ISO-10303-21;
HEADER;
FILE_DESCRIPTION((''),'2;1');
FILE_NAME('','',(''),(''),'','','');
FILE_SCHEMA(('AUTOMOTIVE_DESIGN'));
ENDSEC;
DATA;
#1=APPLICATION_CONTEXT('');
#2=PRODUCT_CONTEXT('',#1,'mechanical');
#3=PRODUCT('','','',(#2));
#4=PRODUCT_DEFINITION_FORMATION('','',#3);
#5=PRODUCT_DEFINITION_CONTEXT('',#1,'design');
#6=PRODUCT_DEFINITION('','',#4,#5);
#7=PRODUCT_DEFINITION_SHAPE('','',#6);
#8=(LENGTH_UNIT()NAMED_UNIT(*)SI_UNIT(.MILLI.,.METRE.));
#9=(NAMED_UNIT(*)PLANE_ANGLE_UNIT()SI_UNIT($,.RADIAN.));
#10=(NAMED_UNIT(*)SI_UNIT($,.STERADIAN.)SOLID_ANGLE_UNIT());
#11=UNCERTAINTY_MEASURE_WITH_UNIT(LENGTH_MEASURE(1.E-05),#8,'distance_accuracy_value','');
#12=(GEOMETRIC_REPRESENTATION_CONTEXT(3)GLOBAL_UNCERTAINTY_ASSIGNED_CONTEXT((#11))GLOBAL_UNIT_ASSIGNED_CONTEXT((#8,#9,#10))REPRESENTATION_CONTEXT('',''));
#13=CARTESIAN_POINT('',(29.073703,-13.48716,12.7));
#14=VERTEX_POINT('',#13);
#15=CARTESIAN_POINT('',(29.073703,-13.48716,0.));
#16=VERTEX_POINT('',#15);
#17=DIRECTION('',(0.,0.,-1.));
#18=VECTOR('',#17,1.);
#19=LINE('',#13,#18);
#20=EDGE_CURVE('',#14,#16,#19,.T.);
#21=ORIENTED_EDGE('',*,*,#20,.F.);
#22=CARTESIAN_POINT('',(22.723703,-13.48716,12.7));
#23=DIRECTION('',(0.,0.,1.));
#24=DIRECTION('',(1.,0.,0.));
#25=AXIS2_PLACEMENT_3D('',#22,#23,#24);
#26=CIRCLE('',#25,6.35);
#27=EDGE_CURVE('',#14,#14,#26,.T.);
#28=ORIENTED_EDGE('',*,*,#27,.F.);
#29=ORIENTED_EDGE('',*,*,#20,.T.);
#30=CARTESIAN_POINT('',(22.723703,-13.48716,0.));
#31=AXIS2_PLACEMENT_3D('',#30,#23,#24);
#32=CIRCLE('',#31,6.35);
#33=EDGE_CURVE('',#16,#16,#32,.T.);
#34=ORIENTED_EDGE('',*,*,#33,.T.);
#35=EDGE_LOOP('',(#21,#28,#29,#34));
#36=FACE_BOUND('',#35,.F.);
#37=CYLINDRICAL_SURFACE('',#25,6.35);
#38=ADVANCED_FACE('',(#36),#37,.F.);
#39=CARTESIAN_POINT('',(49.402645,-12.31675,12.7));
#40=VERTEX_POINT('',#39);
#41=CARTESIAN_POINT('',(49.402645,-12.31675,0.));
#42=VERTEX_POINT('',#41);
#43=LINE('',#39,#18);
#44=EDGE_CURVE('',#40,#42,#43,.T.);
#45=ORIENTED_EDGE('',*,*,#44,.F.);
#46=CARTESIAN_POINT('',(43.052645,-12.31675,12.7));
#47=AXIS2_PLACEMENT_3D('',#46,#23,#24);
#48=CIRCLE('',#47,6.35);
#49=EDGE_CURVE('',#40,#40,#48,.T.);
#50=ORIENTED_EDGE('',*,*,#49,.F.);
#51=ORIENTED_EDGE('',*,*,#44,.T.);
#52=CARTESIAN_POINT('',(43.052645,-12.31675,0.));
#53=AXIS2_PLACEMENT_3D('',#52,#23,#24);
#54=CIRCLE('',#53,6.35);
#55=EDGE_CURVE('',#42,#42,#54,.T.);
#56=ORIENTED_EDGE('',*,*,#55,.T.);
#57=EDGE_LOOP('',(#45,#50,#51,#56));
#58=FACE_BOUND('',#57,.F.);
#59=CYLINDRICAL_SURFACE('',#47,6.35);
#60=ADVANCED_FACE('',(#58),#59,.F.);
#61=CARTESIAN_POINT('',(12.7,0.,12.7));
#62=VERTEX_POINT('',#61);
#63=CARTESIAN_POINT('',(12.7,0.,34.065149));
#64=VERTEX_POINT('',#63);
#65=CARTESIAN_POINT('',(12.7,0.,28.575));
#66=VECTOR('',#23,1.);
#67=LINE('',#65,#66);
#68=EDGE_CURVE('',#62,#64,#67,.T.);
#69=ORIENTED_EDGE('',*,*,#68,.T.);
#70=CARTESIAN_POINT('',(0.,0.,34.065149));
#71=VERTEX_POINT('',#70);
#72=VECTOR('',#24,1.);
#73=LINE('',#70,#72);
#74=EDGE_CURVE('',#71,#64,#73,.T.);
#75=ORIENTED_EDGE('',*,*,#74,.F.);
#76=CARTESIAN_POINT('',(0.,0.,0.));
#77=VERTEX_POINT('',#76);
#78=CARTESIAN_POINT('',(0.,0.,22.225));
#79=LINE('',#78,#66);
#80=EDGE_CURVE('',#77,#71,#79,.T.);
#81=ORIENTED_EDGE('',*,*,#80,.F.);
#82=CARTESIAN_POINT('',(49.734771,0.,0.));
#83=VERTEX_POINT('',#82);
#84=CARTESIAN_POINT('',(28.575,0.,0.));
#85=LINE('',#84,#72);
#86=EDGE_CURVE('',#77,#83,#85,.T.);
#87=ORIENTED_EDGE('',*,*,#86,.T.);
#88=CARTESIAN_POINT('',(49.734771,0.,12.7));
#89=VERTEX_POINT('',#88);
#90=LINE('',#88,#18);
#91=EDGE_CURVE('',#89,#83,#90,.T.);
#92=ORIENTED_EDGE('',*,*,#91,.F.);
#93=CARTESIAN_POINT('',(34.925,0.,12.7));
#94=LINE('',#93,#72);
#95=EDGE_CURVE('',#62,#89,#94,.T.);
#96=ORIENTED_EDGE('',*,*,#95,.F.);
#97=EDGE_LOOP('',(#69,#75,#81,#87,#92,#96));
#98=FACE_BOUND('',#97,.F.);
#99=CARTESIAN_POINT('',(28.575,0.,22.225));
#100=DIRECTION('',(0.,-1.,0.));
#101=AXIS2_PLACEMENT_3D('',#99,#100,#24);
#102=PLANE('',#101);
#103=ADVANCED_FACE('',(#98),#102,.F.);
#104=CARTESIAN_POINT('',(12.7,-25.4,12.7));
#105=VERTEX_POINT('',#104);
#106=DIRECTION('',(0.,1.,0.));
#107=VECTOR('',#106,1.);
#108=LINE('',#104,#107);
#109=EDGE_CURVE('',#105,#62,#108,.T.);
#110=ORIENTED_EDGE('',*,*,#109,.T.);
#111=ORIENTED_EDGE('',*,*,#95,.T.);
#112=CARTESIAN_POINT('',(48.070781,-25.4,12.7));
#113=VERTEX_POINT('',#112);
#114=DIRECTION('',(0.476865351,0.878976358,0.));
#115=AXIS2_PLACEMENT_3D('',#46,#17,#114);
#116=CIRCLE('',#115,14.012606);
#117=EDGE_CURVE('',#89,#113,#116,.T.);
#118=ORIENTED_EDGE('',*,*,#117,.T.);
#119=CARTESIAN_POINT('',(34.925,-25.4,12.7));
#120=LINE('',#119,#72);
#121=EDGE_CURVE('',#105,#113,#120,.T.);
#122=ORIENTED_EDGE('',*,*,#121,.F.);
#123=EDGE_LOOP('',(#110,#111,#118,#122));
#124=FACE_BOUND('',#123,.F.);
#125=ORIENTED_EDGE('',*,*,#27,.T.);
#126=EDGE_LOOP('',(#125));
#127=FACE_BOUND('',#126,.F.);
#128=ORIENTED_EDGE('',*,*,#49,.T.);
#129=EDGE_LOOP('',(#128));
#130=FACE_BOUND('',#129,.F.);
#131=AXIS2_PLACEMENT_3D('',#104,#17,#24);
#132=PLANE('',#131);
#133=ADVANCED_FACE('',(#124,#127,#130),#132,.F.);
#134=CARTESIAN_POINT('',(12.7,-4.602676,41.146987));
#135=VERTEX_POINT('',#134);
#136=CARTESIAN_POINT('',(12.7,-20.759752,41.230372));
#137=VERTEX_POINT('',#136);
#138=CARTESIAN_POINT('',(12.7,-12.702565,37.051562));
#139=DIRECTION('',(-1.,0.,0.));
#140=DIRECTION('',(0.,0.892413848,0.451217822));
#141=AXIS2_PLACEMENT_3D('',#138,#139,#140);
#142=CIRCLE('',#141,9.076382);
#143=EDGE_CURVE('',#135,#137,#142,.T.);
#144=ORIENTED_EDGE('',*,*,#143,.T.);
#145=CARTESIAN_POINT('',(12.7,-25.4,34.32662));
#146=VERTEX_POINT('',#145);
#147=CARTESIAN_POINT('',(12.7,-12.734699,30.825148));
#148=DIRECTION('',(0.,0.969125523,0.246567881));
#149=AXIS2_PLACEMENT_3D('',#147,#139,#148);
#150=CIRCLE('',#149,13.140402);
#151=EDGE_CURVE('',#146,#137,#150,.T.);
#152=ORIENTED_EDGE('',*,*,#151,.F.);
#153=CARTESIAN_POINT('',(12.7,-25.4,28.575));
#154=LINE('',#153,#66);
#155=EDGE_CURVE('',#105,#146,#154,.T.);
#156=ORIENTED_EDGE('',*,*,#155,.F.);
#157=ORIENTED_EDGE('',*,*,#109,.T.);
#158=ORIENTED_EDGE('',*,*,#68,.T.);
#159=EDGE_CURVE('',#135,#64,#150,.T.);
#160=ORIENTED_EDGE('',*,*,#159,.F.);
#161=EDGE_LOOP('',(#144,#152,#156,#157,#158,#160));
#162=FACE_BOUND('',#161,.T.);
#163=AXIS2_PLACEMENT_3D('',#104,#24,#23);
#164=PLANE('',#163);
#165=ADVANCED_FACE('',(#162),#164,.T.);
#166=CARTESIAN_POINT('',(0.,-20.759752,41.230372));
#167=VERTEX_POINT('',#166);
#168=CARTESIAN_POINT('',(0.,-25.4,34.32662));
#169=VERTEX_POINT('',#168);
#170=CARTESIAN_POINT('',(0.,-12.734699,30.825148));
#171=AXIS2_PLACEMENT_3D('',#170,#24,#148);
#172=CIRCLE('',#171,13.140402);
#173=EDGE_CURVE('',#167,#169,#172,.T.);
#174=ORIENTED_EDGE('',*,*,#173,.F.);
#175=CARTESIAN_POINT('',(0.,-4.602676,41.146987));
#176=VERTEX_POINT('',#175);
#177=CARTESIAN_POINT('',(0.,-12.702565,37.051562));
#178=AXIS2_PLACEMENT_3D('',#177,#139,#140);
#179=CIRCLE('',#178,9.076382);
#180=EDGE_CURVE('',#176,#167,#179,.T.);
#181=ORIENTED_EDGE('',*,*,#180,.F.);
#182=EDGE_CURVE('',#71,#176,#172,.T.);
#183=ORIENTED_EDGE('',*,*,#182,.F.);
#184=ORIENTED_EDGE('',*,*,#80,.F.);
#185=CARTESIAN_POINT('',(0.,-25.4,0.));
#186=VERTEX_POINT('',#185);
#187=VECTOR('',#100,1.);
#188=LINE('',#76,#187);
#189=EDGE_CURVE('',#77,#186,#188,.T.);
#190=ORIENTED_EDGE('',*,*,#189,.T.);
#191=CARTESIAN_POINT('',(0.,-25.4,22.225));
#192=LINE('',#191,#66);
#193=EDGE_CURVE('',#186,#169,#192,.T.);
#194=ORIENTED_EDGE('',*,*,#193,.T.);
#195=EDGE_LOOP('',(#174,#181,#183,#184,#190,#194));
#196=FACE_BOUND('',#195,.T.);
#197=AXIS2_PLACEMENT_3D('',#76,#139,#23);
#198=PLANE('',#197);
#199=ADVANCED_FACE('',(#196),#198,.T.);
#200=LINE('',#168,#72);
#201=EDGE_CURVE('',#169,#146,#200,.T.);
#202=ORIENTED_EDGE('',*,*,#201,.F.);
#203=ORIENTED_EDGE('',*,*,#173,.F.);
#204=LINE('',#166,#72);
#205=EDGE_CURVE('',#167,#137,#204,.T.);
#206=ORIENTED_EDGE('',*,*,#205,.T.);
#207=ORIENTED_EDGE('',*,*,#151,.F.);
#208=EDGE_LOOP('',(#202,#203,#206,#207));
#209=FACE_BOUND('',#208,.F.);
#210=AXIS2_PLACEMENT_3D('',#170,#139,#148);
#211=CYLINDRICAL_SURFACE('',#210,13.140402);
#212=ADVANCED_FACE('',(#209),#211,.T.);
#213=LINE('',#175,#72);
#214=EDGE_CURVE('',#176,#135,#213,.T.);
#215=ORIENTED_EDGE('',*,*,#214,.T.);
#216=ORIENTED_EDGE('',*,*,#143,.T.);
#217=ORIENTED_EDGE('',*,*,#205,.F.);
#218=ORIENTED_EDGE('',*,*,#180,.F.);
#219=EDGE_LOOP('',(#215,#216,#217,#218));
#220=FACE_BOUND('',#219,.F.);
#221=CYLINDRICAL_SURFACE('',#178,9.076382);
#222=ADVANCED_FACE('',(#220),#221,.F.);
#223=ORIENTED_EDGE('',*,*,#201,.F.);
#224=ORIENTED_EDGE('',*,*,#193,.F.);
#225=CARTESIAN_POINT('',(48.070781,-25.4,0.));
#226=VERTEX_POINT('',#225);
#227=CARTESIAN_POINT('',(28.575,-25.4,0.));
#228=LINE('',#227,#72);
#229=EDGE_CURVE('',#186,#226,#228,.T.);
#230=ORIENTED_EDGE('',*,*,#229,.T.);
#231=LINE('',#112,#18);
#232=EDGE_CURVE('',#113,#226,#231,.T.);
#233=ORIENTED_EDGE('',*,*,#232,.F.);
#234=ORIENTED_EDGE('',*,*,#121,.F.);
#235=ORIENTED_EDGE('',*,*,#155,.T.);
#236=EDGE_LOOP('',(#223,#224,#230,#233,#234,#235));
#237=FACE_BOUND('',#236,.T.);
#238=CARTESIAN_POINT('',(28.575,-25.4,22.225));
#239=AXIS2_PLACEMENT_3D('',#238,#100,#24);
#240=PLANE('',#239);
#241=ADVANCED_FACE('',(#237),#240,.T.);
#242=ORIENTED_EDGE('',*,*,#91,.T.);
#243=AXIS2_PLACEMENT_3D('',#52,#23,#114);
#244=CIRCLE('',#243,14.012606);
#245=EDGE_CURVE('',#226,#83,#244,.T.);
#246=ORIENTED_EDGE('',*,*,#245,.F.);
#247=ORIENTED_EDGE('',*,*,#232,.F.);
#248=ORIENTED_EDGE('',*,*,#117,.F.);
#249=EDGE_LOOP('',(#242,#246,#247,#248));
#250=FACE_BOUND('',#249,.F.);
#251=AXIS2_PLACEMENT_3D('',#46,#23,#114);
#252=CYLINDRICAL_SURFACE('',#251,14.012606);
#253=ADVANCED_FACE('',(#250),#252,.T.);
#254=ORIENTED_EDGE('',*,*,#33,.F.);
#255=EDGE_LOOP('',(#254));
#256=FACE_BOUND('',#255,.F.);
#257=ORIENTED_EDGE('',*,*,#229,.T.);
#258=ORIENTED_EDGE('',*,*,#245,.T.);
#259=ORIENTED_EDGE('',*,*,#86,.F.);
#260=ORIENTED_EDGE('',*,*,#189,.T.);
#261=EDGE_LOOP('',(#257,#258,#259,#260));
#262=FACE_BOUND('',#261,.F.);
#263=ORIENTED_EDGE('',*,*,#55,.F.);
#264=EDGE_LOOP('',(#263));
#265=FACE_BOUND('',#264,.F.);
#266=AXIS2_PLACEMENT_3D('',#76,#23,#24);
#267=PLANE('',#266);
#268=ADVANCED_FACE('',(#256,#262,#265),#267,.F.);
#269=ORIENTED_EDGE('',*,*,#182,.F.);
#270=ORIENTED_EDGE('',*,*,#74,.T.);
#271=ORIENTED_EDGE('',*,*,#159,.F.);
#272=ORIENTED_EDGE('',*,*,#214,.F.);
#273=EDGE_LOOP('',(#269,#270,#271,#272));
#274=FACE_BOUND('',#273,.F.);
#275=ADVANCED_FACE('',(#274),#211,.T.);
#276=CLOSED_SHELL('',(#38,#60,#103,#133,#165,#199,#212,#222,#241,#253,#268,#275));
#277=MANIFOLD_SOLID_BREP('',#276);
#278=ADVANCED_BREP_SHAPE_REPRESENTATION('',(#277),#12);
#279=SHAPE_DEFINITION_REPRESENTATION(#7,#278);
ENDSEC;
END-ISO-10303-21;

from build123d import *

# Parameters (mm, degrees)
F0_W      = 57.15
F0_H      = 44.45
F2_DEPTH  = 25.4
F3_W      = 44.45
F3_H      = 31.75
F4_DEPTH  = 25.4
F6_DEPTH  = 25.4
F8_DEPTH  = 25.4
F10_DEPTH = 25.4
F11_R     = 6.35
F12_DEPTH = 25.4


with BuildPart() as f2:
    # F0 (on Front) → F2 (new body)
    with BuildSketch(Plane.XZ):
        with Locations((28.575, 22.225)):
            Rectangle(F0_W, F0_H)
    extrude(amount=F2_DEPTH)

    # F3 (on face) → F4 (cut)
    with BuildSketch(Plane.XZ.offset(25.4)):
        with Locations((34.925, 28.575)):
            Rectangle(F3_W, F3_H)
    extrude(amount=-F4_DEPTH, mode=Mode.SUBTRACT)

    # F5 (on face) → F6 (cut)
    with BuildSketch(Plane(origin=(0, 0, 0), x_dir=(0, -1, 0), z_dir=(-1, 0, 0))):
        with BuildLine():
            ThreePointArc((0, 34.065149012), (12.5994370477, 43.9648535962), (25.4, 34.3266196875))
            Line((25.4, 34.3266196875), (25.4, 44.45))
            Line((25.4, 44.45), (0, 44.45))
            Line((0, 44.45), (0, 34.065149012))
        make_face()
    extrude(amount=-F6_DEPTH, mode=Mode.SUBTRACT)

    # F7 (on face) → F8 (cut)
    with BuildSketch(Plane(origin=(0, 0, 0), x_dir=(0, -1, 0), z_dir=(-1, 0, 0))):
        with BuildLine():
            ThreePointArc((20.7597522167, 41.230371503), (12.6668838252, 43.9653747873), (4.6026757381, 41.1469870045))
            ThreePointArc((4.6026757381, 41.1469870045), (12.7494064505, 27.9752999749), (20.7597522167, 41.230371503))
        make_face()
    extrude(amount=-F8_DEPTH, mode=Mode.SUBTRACT)

    # F9 (on face) → F10 (cut)
    with BuildSketch(Plane.XY.offset(12.7)):
        with BuildLine():
            ThreePointArc((49.7347712517, 0), (57.0352782302, -13.2327718435), (48.0707809329, -25.4))
            Line((48.0707809329, -25.4), (57.15, -25.4))
            Line((57.15, -25.4), (57.15, 0))
            Line((57.15, 0), (49.7347712517, 0))
        make_face()
    extrude(amount=-F10_DEPTH, mode=Mode.SUBTRACT)

    # F11 (on face) → F12 (cut)
    with BuildSketch(Plane.XY.offset(12.7)):
        with Locations((22.7237032021, -13.4871597779)):
            Circle(F11_R)
        with Locations((43.0526448926, -12.3167495402)):
            Circle(F11_R)
    extrude(amount=-F12_DEPTH, mode=Mode.SUBTRACT)


solid = f2.part
